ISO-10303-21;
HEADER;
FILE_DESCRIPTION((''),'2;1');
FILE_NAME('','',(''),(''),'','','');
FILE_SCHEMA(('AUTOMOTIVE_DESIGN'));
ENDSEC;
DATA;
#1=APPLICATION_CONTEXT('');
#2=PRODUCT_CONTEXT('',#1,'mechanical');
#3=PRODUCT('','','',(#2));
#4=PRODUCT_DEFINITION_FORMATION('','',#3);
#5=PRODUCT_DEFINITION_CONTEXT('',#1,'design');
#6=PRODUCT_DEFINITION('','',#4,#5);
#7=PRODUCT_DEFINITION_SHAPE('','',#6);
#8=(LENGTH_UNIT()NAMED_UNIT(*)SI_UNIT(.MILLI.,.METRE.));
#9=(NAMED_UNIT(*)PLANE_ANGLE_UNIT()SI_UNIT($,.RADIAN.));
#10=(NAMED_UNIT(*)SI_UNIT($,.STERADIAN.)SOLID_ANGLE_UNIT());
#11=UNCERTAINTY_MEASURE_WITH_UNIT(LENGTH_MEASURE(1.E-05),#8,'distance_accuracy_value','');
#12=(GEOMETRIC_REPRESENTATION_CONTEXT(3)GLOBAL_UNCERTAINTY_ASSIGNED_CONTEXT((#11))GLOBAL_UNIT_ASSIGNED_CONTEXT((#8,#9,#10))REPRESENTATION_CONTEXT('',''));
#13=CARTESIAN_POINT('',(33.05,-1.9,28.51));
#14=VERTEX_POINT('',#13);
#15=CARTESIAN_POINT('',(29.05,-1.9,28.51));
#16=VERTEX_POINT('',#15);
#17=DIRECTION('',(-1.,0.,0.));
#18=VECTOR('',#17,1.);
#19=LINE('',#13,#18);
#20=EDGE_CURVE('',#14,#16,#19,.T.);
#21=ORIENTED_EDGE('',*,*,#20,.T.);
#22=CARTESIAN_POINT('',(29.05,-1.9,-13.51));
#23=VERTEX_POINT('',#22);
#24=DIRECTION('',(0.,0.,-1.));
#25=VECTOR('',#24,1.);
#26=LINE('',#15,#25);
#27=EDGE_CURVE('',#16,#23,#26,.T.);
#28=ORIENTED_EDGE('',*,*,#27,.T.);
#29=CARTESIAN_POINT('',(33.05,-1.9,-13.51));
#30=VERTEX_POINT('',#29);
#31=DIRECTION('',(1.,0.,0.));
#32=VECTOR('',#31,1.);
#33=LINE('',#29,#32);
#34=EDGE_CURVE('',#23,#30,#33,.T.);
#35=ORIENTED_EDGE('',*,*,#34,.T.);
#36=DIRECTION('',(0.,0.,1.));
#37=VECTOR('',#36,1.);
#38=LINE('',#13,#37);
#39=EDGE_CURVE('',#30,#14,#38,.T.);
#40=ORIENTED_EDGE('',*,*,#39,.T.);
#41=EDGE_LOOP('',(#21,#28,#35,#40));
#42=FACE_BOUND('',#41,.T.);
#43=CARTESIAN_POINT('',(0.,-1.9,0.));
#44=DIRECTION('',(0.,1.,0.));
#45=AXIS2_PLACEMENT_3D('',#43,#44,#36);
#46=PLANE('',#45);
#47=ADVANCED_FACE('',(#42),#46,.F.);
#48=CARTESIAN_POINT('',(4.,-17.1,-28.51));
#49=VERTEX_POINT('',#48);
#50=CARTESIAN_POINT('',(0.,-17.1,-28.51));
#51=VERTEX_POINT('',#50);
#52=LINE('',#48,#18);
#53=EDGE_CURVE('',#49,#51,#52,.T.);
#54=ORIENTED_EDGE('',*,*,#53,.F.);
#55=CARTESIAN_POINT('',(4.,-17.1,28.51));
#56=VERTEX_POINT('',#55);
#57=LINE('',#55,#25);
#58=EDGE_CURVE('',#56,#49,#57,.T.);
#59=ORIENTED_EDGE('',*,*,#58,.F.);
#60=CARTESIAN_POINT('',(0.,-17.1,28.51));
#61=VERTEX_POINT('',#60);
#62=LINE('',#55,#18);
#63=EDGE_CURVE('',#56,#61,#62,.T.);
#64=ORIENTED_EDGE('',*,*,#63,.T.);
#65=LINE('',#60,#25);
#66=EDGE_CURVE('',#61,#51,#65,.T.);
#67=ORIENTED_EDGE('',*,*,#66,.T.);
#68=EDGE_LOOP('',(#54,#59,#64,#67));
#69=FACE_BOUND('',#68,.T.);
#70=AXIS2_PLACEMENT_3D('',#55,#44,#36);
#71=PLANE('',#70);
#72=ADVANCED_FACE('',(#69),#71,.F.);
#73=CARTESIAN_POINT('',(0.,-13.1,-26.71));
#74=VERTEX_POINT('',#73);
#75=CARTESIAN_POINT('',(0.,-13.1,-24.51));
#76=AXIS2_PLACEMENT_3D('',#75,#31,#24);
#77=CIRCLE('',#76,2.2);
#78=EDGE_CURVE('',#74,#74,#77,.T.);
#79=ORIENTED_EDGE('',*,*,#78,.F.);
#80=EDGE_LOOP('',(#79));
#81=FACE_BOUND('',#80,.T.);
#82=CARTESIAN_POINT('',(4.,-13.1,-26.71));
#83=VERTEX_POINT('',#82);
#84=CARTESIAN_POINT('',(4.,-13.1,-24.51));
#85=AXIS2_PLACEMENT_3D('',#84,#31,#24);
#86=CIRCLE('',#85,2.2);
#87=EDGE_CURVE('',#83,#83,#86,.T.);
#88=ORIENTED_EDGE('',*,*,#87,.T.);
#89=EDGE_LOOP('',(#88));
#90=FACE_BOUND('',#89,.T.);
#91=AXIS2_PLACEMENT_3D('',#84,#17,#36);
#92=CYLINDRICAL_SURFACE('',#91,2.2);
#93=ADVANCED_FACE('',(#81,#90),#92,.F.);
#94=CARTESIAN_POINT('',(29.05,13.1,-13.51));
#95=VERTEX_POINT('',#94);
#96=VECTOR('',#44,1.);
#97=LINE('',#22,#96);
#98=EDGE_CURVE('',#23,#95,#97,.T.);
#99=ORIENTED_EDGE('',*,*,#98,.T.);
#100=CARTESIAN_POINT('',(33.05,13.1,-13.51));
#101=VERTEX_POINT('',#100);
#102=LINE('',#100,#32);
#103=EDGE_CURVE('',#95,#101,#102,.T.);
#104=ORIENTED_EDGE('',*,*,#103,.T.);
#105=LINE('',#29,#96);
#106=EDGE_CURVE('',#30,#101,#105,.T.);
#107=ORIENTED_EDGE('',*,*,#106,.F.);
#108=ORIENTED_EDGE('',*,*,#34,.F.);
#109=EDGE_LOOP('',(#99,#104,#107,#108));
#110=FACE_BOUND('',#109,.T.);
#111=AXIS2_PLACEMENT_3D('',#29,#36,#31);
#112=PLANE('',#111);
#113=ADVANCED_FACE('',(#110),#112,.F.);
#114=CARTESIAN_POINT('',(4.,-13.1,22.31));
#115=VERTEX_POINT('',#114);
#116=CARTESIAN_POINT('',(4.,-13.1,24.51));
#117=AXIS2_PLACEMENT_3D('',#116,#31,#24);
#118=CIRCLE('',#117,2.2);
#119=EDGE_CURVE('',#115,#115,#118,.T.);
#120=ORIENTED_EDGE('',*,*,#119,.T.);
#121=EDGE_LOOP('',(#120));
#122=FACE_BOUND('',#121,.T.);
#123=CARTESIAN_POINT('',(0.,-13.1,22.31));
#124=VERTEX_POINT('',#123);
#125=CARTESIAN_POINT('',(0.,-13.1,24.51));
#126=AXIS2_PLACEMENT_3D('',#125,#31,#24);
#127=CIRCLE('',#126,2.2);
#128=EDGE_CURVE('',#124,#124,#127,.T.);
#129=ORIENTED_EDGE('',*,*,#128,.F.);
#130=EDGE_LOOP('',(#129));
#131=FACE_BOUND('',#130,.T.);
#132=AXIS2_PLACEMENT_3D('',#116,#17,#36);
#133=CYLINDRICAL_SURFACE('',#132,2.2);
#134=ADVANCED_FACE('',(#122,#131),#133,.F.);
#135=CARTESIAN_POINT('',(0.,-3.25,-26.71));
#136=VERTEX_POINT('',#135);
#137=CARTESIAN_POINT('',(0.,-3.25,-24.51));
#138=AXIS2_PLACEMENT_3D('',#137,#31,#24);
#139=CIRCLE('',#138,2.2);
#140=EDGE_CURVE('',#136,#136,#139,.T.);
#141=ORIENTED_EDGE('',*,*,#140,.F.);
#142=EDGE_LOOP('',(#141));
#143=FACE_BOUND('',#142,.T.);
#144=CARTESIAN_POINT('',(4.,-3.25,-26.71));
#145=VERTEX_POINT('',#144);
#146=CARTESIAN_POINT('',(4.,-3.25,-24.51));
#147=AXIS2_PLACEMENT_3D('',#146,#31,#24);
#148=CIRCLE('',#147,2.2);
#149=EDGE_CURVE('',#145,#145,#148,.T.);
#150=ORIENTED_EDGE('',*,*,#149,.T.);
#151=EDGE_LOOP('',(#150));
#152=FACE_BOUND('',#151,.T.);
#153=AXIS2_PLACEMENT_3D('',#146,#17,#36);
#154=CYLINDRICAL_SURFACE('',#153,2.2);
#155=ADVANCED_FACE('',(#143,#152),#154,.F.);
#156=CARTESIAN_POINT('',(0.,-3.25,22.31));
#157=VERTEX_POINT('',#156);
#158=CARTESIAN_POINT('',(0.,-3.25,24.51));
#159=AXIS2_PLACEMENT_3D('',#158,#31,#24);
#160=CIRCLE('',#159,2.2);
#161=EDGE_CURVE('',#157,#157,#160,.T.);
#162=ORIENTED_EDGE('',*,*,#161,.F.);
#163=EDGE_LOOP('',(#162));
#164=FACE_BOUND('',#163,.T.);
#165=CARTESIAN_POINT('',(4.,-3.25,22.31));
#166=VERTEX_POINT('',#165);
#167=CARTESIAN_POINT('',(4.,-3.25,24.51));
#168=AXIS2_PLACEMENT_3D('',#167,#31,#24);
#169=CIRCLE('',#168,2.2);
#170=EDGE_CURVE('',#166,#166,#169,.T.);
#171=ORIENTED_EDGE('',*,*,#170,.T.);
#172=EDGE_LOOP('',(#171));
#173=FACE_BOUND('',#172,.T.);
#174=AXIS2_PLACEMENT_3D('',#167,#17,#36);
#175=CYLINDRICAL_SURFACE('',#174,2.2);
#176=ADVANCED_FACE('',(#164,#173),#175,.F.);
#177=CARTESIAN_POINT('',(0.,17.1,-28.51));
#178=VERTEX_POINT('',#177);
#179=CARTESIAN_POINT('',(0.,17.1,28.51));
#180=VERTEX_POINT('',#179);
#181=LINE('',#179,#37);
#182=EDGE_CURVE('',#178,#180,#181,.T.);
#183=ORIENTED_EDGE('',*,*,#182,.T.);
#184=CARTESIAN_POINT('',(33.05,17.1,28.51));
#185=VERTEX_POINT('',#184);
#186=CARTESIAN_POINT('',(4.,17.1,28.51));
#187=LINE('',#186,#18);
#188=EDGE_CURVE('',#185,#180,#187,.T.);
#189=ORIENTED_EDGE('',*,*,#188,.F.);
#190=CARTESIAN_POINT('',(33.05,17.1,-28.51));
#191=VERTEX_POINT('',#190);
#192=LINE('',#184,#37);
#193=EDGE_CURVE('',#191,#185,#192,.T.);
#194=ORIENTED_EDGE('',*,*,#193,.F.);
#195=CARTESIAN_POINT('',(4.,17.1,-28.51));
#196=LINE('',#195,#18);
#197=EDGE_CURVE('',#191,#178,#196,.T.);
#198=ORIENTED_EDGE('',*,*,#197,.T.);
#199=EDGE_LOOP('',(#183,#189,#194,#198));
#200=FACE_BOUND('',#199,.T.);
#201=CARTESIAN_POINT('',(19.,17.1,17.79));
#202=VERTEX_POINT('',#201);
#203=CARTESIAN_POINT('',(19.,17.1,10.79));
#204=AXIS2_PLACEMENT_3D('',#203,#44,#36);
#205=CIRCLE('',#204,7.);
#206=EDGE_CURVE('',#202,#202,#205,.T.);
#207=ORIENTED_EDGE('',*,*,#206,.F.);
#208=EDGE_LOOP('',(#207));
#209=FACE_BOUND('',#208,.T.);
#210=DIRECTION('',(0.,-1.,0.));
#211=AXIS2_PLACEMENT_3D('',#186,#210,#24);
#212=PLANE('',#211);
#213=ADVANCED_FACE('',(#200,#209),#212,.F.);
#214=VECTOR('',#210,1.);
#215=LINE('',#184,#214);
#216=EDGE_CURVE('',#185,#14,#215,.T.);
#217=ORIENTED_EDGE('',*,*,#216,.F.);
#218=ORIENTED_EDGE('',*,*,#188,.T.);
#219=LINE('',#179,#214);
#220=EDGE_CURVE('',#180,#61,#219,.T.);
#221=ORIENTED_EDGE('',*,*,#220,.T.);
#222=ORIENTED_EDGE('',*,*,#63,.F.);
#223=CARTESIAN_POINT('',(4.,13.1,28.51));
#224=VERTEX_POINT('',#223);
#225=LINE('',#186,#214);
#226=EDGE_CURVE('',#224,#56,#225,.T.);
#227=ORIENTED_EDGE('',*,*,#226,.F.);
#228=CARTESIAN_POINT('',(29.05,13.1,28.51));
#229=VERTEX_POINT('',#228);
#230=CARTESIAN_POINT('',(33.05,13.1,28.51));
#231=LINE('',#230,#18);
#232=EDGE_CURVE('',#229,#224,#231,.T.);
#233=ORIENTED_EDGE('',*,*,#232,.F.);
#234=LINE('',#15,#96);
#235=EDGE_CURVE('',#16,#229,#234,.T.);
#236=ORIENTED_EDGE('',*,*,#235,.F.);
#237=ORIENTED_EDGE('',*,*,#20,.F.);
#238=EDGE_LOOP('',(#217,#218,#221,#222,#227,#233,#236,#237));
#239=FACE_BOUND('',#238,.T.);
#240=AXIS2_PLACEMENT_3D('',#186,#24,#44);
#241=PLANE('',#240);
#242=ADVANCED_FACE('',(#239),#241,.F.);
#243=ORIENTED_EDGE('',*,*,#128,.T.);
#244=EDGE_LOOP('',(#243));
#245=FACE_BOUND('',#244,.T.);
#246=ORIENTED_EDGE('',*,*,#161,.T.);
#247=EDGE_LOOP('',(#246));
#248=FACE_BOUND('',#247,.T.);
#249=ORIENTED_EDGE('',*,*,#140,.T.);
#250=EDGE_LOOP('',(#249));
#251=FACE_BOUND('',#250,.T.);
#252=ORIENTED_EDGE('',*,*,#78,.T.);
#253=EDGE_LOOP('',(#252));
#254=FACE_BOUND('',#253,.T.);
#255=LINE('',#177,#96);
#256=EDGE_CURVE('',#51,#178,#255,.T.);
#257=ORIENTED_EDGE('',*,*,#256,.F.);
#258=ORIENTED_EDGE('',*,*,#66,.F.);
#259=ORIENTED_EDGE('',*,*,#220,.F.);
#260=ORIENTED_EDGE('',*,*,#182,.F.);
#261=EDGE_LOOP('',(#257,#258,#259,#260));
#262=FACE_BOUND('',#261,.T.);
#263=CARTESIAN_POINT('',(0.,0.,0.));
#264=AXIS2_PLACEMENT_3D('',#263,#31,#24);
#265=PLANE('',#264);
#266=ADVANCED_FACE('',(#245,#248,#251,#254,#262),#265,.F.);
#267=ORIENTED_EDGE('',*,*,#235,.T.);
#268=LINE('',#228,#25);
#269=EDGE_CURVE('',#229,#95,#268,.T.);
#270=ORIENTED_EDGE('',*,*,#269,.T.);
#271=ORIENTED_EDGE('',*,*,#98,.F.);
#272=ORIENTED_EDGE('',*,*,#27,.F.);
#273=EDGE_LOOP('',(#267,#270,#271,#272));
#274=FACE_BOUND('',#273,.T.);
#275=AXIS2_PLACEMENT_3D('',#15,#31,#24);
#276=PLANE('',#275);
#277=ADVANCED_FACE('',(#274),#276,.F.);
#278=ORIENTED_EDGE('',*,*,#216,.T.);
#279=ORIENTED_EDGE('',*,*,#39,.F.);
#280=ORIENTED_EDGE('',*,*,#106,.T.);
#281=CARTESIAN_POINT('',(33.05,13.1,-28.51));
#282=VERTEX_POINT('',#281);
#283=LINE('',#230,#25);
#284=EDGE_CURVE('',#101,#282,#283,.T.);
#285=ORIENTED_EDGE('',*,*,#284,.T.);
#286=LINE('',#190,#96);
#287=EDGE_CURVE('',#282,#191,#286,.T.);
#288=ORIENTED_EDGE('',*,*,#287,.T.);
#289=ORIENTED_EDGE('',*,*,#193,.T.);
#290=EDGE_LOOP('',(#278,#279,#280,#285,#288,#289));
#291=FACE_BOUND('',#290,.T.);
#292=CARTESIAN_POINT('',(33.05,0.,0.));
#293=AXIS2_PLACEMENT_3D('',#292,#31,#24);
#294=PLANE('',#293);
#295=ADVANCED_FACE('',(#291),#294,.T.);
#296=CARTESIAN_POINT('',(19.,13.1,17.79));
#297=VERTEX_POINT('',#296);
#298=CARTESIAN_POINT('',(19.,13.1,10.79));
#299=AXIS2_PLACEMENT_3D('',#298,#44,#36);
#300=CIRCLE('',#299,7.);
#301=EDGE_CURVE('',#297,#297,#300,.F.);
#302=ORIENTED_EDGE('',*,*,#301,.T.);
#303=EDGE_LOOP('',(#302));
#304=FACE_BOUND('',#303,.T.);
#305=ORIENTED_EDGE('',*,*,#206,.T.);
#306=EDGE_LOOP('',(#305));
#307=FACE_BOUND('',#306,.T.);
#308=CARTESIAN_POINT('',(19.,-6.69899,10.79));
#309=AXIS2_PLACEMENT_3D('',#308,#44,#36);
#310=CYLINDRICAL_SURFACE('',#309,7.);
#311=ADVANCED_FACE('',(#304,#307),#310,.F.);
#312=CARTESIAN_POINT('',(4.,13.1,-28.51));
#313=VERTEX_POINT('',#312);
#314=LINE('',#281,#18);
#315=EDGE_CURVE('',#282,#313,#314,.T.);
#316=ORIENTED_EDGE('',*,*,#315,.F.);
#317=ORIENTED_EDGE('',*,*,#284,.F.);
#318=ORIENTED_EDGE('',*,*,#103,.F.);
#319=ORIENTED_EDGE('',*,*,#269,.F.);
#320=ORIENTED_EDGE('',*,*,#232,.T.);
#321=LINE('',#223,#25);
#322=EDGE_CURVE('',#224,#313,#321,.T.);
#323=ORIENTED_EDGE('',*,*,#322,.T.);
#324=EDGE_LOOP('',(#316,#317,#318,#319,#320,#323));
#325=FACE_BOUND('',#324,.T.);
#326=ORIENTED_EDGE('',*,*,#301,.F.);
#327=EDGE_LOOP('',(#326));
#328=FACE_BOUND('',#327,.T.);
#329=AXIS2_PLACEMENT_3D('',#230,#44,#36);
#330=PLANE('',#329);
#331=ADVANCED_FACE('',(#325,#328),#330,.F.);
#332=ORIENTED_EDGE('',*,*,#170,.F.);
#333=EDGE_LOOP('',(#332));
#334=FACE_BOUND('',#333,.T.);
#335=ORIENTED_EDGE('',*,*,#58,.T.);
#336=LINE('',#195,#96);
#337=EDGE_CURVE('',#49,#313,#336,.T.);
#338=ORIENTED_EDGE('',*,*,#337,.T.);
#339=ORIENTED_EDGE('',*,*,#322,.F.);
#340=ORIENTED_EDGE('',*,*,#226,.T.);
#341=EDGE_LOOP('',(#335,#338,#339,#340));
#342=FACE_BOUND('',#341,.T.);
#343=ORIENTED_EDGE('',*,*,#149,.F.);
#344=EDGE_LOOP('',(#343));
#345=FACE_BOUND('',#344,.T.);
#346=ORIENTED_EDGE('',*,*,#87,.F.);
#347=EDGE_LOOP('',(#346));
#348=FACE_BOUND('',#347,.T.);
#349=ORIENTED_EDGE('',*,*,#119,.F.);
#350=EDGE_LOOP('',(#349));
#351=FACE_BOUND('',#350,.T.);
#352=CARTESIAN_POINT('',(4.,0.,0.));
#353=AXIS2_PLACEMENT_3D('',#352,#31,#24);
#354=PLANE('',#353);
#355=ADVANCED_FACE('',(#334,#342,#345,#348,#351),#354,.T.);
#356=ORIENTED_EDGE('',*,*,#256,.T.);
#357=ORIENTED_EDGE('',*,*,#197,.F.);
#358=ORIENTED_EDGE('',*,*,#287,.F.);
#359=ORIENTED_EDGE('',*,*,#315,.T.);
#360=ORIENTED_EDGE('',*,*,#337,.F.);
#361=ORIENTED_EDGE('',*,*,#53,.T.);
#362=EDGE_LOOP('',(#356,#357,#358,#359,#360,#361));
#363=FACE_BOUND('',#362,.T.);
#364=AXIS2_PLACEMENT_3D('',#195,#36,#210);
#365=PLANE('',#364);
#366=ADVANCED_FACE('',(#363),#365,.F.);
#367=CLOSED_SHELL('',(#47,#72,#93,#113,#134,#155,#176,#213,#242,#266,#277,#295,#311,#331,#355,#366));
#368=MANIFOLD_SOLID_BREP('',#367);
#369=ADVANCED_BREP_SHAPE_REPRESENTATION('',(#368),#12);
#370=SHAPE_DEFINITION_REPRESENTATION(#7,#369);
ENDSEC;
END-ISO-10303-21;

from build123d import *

# Parameters (mm, degrees)
SKETCH1_W           = 57.02
SKETCH1_H           = 34.2
SKETCH1_R           = 2.2
BOSS_EXTRUDE1_DEPTH = 4
SKETCH2_W           = 57.02
SKETCH2_H           = 4
BOSS_EXTRUDE2_DEPTH = 29.05
SKETCH3_W           = 4
SKETCH3_H           = 42.02
BOSS_EXTRUDE3_DEPTH = 15
SKETCH5_R           = 7
CUT_EXTRUDE1_DEPTH  = 4


with BuildPart() as part:
    # Sketch1 → Boss-Extrude1 (new body)
    with BuildSketch(Plane(origin=(0, 0, 0), x_dir=(0, 0, -1), z_dir=(1, 0, 0))):
        Rectangle(SKETCH1_W, SKETCH1_H)
        with Locations((-24.51, -3.25)):
            Circle(SKETCH1_R, mode=Mode.SUBTRACT)
        with Locations((-24.51, -13.1)):
            Circle(SKETCH1_R, mode=Mode.SUBTRACT)
        with Locations((24.51, -3.25)):
            Circle(SKETCH1_R, mode=Mode.SUBTRACT)
        with Locations((24.51, -13.1)):
            Circle(SKETCH1_R, mode=Mode.SUBTRACT)
    extrude(amount=BOSS_EXTRUDE1_DEPTH)

    # Sketch2 → Boss-Extrude2 (add)
    with BuildSketch(Plane(origin=(4, 0, 0), x_dir=(0, 0, -1), z_dir=(1, 0, 0))):
        with Locations((0, 15.1)):
            Rectangle(SKETCH2_W, SKETCH2_H)
    extrude(amount=BOSS_EXTRUDE2_DEPTH)

    # Sketch3 → Boss-Extrude3 (add)
    with BuildSketch(Plane.XZ.offset(-13.1)):
        with Locations((31.05, 7.5)):
            Rectangle(SKETCH3_W, SKETCH3_H)
    extrude(amount=BOSS_EXTRUDE3_DEPTH)

    # Sketch5 → Cut-Extrude1 (cut)
    with BuildSketch(Plane(origin=(0, 17.1, 0), x_dir=(1, 0, 0), z_dir=(0, 1, 0))):
        with Locations((19, -10.79)):
            Circle(SKETCH5_R)
    extrude(amount=-CUT_EXTRUDE1_DEPTH, mode=Mode.SUBTRACT)


solid = part.part
